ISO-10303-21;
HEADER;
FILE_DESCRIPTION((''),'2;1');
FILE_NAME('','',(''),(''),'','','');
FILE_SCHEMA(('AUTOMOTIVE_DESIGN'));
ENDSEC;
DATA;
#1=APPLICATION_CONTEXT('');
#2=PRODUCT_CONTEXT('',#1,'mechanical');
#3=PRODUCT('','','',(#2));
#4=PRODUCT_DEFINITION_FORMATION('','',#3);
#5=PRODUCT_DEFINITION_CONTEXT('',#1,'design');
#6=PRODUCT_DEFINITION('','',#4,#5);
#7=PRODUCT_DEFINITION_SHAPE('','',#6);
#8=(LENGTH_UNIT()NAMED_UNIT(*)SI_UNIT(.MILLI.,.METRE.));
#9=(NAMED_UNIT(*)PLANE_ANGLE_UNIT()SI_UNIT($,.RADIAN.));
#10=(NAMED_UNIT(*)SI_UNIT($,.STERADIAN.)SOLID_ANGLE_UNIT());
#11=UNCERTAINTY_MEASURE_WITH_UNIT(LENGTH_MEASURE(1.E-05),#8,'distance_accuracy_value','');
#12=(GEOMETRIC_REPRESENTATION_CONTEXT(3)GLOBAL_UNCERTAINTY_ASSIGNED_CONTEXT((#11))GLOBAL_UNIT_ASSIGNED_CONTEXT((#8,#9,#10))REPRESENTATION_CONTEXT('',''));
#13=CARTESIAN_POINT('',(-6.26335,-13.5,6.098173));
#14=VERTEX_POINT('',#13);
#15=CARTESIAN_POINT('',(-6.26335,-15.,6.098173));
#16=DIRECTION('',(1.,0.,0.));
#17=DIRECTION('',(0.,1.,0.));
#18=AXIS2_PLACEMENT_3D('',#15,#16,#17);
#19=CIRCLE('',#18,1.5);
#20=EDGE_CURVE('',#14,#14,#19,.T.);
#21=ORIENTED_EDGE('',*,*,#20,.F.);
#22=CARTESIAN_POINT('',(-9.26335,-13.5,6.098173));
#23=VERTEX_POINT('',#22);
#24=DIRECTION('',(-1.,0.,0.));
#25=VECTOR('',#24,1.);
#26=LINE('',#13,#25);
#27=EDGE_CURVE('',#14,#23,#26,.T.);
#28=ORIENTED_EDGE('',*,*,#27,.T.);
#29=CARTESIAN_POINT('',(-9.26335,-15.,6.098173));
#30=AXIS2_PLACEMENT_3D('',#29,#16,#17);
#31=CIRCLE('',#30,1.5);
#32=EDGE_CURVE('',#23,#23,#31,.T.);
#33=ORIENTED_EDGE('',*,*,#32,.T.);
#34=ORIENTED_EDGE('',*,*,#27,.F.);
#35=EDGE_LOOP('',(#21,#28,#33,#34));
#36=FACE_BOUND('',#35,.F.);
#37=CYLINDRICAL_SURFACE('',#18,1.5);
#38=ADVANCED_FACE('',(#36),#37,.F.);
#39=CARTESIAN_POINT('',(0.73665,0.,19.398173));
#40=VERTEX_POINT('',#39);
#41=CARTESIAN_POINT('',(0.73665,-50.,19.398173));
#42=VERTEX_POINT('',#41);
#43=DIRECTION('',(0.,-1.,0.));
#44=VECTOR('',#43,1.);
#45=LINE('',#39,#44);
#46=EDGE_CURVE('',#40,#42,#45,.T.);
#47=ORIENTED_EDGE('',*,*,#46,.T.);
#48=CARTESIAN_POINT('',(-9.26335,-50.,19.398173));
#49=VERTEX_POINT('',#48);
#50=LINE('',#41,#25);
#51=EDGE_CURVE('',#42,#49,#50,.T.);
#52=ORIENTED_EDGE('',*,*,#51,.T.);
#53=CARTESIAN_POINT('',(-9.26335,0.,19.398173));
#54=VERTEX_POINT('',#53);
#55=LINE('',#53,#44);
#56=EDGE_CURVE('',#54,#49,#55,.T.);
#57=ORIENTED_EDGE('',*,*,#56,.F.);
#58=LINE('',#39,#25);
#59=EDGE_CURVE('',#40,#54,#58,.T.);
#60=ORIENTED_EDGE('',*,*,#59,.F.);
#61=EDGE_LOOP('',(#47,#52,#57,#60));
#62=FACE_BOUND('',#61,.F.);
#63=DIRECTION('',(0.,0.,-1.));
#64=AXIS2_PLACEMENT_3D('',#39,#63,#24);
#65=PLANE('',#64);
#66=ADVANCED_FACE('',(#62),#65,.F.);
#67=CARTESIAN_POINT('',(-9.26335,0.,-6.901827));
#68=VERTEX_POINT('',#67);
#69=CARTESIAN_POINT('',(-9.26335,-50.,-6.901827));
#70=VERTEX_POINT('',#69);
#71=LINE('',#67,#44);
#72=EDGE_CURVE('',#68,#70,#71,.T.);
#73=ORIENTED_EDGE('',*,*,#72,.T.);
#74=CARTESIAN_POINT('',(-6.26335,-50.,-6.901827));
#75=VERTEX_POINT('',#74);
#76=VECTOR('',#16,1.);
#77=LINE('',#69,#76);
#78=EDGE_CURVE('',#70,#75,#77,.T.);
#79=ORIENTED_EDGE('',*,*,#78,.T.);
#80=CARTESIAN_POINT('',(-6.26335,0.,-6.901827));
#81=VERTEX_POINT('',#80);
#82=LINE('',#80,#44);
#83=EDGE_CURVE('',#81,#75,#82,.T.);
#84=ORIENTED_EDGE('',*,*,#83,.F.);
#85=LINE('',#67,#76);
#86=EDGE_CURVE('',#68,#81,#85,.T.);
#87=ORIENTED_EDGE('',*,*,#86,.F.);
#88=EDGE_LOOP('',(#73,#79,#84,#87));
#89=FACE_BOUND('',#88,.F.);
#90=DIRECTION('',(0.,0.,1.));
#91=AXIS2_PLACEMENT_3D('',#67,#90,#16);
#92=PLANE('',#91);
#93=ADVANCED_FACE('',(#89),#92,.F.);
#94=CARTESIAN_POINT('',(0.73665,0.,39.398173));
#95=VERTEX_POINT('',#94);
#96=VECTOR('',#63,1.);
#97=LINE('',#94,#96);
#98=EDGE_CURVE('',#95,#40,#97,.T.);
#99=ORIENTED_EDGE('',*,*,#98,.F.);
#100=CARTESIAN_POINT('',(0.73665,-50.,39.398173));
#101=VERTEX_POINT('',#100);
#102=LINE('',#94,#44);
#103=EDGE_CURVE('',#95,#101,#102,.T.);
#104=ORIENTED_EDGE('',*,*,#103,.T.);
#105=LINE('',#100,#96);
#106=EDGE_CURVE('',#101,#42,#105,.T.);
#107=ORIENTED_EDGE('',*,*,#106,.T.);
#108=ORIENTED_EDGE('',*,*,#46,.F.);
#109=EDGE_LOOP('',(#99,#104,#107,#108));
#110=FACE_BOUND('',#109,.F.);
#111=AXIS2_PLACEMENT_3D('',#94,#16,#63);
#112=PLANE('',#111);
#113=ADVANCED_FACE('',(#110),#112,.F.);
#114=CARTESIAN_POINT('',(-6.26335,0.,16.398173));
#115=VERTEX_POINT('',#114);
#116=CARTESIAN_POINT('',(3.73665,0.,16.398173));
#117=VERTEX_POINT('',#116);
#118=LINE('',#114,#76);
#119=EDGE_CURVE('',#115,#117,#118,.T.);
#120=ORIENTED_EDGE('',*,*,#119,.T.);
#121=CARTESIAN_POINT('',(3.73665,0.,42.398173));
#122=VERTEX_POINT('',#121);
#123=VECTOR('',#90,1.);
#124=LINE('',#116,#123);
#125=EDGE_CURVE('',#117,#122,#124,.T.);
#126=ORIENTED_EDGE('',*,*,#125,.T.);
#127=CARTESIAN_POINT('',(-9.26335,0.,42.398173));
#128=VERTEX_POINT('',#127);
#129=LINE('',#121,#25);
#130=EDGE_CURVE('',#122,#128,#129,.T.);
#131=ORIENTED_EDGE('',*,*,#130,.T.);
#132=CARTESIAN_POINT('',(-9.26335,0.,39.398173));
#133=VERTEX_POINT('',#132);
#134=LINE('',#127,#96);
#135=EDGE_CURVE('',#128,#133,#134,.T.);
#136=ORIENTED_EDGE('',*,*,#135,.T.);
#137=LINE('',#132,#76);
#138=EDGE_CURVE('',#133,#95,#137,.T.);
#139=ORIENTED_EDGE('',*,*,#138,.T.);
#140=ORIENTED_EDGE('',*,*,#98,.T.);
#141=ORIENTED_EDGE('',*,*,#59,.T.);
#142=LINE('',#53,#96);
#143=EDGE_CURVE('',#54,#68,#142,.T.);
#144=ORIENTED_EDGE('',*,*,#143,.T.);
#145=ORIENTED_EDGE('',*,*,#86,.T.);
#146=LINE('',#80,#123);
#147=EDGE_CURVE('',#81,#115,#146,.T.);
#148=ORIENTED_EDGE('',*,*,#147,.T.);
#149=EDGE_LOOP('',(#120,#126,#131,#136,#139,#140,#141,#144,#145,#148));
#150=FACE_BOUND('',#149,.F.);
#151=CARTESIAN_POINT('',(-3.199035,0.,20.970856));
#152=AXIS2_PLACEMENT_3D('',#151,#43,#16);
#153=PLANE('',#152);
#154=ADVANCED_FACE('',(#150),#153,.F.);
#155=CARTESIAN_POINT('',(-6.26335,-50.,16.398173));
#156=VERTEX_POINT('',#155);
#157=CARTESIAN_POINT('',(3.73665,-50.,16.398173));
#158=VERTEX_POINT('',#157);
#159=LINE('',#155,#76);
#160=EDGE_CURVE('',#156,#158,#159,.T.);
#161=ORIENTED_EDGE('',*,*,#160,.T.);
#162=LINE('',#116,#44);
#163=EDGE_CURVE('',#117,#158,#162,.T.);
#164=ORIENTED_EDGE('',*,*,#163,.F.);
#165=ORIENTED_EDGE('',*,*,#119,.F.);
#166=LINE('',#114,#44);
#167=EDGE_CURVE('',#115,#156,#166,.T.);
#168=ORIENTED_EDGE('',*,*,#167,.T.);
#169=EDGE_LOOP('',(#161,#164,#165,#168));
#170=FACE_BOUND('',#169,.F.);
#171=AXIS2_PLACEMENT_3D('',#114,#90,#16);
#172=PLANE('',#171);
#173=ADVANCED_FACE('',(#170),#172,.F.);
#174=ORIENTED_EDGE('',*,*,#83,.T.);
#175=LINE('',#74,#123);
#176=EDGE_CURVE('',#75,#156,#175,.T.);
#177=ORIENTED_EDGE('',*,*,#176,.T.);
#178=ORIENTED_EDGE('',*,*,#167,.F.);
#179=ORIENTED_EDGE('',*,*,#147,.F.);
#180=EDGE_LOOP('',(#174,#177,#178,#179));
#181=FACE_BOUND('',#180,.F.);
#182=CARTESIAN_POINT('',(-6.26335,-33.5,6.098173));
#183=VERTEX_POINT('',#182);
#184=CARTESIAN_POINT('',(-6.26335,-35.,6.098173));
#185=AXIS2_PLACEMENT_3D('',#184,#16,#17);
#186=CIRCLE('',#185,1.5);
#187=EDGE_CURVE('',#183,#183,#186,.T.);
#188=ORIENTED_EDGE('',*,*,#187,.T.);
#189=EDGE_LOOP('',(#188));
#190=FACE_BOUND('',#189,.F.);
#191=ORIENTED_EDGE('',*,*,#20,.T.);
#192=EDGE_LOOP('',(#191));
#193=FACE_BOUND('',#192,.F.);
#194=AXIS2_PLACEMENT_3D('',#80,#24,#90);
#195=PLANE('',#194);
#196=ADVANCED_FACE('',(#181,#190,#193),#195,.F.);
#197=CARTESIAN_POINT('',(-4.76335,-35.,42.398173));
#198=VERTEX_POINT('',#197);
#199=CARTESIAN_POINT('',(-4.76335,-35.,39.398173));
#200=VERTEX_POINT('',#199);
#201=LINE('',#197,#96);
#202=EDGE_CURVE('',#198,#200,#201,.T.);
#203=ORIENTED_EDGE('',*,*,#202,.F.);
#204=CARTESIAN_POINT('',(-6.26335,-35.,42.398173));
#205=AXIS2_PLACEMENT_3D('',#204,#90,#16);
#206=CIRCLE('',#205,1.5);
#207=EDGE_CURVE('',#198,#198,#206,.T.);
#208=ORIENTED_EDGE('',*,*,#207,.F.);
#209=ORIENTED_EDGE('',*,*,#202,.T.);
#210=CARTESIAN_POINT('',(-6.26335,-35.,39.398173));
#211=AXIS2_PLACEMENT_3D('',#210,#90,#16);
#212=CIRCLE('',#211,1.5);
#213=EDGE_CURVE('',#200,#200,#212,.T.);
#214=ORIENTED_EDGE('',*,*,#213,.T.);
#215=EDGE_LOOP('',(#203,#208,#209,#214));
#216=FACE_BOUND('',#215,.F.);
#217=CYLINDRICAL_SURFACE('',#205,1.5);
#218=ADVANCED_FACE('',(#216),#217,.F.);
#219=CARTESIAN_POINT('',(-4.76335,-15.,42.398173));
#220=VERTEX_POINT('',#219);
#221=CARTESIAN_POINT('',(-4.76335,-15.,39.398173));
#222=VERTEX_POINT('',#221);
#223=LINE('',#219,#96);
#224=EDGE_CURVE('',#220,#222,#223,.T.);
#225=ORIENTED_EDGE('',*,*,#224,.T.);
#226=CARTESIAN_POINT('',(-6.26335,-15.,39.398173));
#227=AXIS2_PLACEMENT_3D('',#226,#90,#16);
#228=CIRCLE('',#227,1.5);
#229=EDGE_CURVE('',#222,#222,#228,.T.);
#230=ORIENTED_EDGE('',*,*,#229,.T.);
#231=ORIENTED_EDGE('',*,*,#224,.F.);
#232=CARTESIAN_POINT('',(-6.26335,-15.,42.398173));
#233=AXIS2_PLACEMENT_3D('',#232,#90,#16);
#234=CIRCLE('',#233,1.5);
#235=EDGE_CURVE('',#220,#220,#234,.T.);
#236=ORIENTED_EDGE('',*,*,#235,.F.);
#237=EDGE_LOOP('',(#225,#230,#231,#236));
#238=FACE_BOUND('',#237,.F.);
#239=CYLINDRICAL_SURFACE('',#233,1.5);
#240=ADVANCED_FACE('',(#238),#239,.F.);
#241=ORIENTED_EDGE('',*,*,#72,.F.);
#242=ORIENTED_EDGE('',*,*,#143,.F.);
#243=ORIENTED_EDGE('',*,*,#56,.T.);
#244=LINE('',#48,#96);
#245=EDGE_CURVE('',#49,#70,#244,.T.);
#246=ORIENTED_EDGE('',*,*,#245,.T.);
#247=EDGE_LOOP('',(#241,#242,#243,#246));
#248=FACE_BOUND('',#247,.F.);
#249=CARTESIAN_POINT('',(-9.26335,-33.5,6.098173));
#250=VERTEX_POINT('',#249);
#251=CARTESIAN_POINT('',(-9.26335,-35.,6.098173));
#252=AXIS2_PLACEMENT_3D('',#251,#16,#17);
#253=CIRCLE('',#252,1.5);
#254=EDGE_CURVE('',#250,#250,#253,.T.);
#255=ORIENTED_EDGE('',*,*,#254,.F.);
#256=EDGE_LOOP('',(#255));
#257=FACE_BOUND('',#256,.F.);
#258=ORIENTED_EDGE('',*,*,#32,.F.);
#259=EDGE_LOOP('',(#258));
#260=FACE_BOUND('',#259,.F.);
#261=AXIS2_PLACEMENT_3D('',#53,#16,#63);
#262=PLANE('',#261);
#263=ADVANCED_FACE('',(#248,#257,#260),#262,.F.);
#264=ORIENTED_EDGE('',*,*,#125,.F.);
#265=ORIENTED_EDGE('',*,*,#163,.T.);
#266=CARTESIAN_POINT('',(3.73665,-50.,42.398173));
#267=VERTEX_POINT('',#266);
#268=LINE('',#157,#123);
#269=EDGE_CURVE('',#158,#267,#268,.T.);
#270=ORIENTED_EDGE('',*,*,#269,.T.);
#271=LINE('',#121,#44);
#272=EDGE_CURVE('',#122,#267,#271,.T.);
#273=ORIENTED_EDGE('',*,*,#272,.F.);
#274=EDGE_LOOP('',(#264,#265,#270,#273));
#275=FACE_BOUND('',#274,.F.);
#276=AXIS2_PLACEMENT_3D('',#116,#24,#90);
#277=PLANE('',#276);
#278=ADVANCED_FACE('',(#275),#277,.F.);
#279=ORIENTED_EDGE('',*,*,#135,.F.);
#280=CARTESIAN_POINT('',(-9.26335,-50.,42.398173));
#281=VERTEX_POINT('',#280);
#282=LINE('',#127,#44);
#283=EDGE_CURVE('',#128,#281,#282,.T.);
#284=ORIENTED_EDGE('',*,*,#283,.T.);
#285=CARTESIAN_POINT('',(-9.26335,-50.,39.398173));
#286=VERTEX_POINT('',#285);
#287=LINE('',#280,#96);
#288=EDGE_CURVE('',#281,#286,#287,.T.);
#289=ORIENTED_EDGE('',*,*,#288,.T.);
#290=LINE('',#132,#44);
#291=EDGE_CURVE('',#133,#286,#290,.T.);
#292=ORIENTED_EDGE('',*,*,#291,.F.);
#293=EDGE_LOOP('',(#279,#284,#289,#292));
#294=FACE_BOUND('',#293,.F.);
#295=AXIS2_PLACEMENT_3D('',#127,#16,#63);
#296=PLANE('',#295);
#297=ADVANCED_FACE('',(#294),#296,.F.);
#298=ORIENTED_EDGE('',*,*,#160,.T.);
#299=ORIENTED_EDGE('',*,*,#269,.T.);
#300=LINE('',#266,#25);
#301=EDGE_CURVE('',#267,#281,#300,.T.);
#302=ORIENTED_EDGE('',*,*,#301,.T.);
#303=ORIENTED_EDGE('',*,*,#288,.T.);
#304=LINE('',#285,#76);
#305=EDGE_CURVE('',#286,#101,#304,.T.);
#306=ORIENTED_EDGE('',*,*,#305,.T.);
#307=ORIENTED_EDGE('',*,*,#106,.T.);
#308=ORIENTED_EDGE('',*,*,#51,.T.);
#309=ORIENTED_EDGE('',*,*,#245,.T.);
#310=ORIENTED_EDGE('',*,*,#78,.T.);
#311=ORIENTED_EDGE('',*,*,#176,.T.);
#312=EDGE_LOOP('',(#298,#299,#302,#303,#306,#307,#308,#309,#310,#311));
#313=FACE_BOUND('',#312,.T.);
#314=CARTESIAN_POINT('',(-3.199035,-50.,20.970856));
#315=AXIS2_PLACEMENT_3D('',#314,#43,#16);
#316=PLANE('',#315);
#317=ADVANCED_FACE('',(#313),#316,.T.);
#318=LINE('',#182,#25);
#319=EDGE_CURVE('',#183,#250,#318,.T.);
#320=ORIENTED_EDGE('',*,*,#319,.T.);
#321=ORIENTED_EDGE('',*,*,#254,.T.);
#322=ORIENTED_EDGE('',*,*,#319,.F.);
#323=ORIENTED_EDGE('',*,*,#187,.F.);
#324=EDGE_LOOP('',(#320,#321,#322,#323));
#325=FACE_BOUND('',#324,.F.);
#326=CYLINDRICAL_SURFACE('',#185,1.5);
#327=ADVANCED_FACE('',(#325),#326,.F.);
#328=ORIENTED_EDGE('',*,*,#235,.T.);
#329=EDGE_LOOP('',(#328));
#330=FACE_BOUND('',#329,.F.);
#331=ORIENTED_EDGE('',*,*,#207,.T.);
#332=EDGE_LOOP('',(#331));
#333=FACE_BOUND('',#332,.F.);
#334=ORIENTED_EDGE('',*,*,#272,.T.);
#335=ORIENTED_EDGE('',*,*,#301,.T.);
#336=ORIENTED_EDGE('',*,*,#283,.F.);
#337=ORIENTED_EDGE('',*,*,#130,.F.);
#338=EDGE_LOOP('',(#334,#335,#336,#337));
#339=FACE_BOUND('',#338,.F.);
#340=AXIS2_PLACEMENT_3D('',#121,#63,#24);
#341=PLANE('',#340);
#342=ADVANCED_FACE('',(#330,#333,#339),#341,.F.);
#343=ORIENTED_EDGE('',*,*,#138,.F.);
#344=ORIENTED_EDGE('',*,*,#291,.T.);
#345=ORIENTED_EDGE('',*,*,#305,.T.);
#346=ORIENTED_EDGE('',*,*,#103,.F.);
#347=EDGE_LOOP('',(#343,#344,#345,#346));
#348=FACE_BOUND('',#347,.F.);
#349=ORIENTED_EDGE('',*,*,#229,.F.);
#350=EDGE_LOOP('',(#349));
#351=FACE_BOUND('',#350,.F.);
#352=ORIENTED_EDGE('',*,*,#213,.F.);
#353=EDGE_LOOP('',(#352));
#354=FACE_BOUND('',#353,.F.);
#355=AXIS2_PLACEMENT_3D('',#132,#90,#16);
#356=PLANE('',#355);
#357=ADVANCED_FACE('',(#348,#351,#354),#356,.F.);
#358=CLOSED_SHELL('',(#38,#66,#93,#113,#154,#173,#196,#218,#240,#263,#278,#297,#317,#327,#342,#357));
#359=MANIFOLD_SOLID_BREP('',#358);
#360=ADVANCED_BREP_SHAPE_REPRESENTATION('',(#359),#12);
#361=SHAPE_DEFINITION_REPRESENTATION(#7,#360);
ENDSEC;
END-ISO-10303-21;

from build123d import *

# Parameters (mm, degrees)
F1_DEPTH = 50
F2_R     = 1.5
F3_DEPTH = 10
F4_R     = 1.5
F5_DEPTH = 25


with BuildPart() as f1:
    # F0 (on Front) → F1 (new body)
    with BuildSketch(Plane.XZ):
        Polygon((-9.26335, 42.398173), (-9.26335, 39.398173), (0.73665, 39.398173), (0.73665, 19.398173), (-9.26335, 19.398173), (-9.26335, -6.901827), (-6.26335, -6.901827), (-6.26335, 16.398173), (3.73665, 16.398173), (3.73665, 42.398173), align=None)
    extrude(amount=F1_DEPTH)

    # F2 (on face) → F3 (cut)
    with BuildSketch(Plane.XY.offset(42.398173)):
        with Locations((-6.26335, -35)):
            Circle(F2_R)
        with Locations((-6.26335, -15)):
            Circle(F2_R)
    extrude(amount=-F3_DEPTH, mode=Mode.SUBTRACT)

    # F4 (on face) → F5 (cut)
    with BuildSketch(Plane.YZ.offset(-6.26335)):
        with Locations((-35, 6.098173)):
            Circle(F4_R)
        with Locations((-15, 6.098173)):
            Circle(F4_R)
    extrude(amount=-F5_DEPTH, mode=Mode.SUBTRACT)


solid = f1.part
